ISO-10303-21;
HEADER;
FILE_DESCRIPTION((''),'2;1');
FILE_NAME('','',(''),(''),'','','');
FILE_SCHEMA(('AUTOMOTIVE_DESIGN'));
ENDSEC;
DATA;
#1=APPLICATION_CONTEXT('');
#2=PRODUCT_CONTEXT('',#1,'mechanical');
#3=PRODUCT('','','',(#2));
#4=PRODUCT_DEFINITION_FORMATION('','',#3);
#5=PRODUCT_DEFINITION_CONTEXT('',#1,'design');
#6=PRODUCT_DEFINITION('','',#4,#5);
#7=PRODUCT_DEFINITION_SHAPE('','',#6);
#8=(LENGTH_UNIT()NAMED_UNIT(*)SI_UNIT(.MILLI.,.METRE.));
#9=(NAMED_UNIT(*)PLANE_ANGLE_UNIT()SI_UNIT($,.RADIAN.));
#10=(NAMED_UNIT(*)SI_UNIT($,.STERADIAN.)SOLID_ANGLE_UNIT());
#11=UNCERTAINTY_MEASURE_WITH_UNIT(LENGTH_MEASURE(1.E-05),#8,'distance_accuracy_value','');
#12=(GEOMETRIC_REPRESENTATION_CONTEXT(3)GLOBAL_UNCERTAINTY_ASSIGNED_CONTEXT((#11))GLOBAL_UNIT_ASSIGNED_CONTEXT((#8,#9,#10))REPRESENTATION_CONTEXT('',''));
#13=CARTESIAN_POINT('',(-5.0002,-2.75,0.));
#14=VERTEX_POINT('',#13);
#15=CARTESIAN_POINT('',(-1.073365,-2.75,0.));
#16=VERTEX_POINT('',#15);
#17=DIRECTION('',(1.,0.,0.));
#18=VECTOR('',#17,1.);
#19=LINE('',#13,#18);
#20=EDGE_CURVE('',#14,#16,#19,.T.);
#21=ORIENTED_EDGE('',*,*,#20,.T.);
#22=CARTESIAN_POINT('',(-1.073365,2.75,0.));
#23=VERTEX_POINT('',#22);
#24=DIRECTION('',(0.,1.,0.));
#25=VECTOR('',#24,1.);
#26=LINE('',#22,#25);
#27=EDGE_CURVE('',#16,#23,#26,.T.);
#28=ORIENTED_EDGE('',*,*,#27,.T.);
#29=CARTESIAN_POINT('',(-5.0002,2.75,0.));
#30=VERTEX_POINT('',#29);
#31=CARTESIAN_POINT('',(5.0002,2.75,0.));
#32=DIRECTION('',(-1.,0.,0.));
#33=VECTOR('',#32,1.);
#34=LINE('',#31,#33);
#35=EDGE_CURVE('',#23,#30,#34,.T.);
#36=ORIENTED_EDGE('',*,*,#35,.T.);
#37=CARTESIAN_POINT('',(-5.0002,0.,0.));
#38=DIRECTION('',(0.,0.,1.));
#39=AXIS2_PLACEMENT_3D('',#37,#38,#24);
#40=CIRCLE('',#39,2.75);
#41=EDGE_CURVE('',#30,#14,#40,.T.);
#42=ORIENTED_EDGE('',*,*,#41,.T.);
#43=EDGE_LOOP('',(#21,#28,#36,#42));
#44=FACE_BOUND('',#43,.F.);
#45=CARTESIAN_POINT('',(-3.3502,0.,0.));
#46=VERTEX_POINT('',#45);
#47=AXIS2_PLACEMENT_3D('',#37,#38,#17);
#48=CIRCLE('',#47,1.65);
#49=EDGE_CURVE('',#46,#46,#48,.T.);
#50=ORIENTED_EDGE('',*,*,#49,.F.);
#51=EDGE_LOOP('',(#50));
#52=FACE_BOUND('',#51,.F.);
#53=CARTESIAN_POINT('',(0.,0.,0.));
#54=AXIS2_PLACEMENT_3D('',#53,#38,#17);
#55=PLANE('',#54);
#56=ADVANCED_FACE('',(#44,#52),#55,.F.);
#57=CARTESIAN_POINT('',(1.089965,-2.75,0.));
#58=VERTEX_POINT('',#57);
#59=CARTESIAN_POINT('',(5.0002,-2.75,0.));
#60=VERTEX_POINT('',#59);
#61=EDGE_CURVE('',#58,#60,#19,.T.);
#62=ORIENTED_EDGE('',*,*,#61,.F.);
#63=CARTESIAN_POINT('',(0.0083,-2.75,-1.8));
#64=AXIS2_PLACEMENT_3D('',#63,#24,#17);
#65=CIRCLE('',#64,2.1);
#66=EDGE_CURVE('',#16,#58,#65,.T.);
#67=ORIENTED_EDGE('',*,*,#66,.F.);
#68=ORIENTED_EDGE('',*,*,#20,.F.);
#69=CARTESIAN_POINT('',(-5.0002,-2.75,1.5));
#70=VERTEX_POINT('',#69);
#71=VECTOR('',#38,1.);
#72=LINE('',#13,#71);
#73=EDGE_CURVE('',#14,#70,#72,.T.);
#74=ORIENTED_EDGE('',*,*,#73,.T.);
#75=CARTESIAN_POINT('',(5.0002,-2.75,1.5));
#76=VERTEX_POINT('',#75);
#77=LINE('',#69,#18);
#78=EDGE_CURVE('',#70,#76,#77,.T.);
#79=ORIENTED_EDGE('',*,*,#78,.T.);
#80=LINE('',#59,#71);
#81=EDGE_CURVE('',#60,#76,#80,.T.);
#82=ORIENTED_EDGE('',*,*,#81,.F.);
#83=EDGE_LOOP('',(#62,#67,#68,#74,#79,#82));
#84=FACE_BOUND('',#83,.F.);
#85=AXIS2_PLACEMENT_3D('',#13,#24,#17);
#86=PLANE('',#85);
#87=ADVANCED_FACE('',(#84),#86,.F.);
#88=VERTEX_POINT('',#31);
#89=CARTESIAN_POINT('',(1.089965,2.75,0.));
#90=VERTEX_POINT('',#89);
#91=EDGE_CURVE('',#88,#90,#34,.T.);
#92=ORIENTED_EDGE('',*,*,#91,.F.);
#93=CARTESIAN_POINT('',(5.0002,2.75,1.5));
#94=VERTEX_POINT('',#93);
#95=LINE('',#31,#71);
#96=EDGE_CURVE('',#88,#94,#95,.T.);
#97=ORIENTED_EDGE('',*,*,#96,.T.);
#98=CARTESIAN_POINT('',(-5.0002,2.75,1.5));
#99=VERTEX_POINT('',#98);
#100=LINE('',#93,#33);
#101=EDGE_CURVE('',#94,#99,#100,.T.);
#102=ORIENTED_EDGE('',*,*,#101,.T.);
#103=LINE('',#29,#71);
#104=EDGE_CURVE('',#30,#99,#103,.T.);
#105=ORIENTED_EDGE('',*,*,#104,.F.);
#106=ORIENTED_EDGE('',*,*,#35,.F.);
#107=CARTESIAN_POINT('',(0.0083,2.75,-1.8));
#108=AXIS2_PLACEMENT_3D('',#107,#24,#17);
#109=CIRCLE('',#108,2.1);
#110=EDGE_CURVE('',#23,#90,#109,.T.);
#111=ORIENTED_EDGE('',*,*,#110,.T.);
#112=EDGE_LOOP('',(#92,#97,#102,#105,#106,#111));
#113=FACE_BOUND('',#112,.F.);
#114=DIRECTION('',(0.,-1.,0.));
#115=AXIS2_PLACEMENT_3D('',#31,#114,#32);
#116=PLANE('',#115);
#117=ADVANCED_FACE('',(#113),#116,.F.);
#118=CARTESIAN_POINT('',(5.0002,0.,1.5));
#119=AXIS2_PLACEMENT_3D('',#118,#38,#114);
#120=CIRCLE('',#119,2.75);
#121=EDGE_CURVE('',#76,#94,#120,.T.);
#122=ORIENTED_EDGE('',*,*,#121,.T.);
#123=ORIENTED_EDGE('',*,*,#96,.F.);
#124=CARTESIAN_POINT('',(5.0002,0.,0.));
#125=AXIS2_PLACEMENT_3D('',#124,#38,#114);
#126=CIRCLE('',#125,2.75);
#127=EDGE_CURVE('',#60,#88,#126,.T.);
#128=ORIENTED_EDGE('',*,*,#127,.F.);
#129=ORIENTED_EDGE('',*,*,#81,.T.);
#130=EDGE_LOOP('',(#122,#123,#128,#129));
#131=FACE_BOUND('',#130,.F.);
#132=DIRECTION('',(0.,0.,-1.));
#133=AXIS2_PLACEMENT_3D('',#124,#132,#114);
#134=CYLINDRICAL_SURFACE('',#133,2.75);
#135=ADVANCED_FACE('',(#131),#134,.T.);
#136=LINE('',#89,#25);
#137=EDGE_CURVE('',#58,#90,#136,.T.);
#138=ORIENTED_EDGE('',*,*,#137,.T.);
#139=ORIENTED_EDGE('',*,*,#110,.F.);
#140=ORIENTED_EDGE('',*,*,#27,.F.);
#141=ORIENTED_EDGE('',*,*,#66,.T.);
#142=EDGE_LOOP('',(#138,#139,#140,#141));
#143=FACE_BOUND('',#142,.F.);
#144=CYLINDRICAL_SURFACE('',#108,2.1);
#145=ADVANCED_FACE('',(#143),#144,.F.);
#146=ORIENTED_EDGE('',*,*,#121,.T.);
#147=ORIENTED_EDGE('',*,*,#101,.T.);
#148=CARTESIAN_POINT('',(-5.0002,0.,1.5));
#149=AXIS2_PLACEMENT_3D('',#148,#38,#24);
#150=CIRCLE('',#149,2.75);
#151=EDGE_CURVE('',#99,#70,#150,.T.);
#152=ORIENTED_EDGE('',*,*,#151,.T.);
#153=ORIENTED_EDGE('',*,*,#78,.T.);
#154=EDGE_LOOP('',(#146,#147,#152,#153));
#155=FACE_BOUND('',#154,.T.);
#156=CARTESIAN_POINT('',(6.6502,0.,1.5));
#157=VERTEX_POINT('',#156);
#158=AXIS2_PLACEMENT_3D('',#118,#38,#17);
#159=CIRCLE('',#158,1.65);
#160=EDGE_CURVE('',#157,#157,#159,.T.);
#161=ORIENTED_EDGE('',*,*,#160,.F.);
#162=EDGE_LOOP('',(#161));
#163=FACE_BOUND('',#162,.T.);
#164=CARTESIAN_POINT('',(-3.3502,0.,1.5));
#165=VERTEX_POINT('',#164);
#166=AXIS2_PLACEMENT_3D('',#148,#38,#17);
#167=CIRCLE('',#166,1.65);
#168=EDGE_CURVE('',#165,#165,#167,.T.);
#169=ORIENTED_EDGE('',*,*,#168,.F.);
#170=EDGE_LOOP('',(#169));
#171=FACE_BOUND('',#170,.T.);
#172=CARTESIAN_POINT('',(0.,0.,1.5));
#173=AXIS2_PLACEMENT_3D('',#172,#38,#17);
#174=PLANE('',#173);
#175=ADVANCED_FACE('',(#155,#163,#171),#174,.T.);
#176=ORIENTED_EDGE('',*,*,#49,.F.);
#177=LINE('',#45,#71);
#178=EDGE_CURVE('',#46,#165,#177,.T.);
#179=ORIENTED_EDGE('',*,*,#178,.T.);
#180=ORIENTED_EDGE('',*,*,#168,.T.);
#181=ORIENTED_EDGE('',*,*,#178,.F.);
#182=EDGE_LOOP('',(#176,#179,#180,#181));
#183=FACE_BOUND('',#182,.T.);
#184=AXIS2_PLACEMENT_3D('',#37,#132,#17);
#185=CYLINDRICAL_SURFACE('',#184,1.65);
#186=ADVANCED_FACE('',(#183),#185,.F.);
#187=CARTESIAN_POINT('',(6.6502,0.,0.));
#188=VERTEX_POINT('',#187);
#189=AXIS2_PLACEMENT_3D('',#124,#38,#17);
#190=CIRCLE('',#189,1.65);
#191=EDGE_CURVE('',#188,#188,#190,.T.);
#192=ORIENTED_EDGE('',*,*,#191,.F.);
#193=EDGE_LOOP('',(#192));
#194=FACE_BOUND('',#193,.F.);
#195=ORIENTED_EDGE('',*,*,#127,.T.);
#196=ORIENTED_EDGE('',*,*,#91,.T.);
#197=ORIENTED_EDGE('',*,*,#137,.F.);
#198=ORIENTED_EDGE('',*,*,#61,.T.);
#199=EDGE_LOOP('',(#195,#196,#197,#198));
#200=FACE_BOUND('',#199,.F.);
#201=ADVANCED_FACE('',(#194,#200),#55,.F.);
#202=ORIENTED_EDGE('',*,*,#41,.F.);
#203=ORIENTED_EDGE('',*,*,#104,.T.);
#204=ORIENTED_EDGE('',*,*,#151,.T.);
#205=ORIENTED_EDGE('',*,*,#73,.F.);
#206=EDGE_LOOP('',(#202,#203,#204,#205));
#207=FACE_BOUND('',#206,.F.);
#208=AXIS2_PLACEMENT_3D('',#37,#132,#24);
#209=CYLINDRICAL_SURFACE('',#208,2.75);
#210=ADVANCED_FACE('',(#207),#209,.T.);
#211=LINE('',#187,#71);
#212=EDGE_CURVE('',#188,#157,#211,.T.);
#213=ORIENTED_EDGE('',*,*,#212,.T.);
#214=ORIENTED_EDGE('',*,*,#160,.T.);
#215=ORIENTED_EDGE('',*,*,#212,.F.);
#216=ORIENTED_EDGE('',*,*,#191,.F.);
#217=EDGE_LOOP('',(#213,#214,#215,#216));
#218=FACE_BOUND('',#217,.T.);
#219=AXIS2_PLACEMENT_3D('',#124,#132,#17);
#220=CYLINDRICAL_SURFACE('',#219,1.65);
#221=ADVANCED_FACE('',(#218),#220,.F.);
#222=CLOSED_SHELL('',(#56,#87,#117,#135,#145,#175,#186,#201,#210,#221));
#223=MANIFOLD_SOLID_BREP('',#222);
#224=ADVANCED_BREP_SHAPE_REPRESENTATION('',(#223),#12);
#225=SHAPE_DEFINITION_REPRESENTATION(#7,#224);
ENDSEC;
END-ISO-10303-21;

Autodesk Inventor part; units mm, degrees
ref_plane "YZ Plane" through (0, 0, 0) normal (1, 0, 0) x (0, 1, 0)
ref_plane "XZ Plane" through (0, 0, 0) normal (0, 1, 0) x (-1, 0, 0)
ref_plane "XY Plane" through (0, 0, 0) normal (0, 0, 1) x (1, 0, 0)
sketch "Sketch1" plane through (0, 0, 0) normal (0, 0, 1) x (1, 0, 0)
  circle A0 centre (5.0002, 0) radius 1.25 construction
  line L0 (1.4779, -3) -> (1.4779, 3) construction
  line L1 (5.0002, -3) -> (1.4779, -3) construction
  arc A1 (5.0002, -3) -> (5.0002, 3) centre (5.0002, 0) ccw construction
  line L2 (1.4779, 3) -> (5.0002, 3) construction
  circle A2 centre (-5.0002, 0) radius 1.25 construction
  line L3 (-1.4614, 3) -> (-1.4614, -3) construction
  line L4 (-5.0002, 3) -> (-1.4614, 3) construction
  arc A3 (-5.0002, 3) -> (-5.0002, -3) centre (-5.0002, 0) ccw construction
  line L5 (-1.4614, -3) -> (-5.0002, -3) construction
  line L6 (-5.0002, 0) -> (5.0002, 0) construction
  line L7 (-5.0002, -2.75) -> (5.0002, -2.75)
  line L8 (5.0002, 2.75) -> (-5.0002, 2.75)
  arc A4 (-5.0002, 2.75) -> (-5.0002, -2.75) centre (-5.0002, 0) ccw
  arc A5 (5.0002, -2.75) -> (5.0002, 2.75) centre (5.0002, 0) ccw
  circle A6 centre (-5.0002, 0) radius 1.65
  circle A7 centre (5.0002, 0) radius 1.65
  point P0 (0, 0)
  point P1 (0, 0)
  dimension "d0" = 5.5
  dimension "d1" = 3.3
  dimension "d2" = 3.3
extrude "Extrusion1" add sketch "Sketch1" along normal blind 1.5
sketch "Sketch2" plane through (-5.0002, 2.75, 0) normal (0, 1, 0) x (1, 0, 0)
  circle A0 centre (5.0085, 1.8) radius 2.1
  arc A1 (5.0085, 3.6) -> (5.0085, -0.6) centre (5.0085, 1.5) ccw projected
  point P0 (5.0002, 0)
extrude "Extrusion2" cut sketch "Sketch2" against normal through all
properties part number "TubeClamp"
